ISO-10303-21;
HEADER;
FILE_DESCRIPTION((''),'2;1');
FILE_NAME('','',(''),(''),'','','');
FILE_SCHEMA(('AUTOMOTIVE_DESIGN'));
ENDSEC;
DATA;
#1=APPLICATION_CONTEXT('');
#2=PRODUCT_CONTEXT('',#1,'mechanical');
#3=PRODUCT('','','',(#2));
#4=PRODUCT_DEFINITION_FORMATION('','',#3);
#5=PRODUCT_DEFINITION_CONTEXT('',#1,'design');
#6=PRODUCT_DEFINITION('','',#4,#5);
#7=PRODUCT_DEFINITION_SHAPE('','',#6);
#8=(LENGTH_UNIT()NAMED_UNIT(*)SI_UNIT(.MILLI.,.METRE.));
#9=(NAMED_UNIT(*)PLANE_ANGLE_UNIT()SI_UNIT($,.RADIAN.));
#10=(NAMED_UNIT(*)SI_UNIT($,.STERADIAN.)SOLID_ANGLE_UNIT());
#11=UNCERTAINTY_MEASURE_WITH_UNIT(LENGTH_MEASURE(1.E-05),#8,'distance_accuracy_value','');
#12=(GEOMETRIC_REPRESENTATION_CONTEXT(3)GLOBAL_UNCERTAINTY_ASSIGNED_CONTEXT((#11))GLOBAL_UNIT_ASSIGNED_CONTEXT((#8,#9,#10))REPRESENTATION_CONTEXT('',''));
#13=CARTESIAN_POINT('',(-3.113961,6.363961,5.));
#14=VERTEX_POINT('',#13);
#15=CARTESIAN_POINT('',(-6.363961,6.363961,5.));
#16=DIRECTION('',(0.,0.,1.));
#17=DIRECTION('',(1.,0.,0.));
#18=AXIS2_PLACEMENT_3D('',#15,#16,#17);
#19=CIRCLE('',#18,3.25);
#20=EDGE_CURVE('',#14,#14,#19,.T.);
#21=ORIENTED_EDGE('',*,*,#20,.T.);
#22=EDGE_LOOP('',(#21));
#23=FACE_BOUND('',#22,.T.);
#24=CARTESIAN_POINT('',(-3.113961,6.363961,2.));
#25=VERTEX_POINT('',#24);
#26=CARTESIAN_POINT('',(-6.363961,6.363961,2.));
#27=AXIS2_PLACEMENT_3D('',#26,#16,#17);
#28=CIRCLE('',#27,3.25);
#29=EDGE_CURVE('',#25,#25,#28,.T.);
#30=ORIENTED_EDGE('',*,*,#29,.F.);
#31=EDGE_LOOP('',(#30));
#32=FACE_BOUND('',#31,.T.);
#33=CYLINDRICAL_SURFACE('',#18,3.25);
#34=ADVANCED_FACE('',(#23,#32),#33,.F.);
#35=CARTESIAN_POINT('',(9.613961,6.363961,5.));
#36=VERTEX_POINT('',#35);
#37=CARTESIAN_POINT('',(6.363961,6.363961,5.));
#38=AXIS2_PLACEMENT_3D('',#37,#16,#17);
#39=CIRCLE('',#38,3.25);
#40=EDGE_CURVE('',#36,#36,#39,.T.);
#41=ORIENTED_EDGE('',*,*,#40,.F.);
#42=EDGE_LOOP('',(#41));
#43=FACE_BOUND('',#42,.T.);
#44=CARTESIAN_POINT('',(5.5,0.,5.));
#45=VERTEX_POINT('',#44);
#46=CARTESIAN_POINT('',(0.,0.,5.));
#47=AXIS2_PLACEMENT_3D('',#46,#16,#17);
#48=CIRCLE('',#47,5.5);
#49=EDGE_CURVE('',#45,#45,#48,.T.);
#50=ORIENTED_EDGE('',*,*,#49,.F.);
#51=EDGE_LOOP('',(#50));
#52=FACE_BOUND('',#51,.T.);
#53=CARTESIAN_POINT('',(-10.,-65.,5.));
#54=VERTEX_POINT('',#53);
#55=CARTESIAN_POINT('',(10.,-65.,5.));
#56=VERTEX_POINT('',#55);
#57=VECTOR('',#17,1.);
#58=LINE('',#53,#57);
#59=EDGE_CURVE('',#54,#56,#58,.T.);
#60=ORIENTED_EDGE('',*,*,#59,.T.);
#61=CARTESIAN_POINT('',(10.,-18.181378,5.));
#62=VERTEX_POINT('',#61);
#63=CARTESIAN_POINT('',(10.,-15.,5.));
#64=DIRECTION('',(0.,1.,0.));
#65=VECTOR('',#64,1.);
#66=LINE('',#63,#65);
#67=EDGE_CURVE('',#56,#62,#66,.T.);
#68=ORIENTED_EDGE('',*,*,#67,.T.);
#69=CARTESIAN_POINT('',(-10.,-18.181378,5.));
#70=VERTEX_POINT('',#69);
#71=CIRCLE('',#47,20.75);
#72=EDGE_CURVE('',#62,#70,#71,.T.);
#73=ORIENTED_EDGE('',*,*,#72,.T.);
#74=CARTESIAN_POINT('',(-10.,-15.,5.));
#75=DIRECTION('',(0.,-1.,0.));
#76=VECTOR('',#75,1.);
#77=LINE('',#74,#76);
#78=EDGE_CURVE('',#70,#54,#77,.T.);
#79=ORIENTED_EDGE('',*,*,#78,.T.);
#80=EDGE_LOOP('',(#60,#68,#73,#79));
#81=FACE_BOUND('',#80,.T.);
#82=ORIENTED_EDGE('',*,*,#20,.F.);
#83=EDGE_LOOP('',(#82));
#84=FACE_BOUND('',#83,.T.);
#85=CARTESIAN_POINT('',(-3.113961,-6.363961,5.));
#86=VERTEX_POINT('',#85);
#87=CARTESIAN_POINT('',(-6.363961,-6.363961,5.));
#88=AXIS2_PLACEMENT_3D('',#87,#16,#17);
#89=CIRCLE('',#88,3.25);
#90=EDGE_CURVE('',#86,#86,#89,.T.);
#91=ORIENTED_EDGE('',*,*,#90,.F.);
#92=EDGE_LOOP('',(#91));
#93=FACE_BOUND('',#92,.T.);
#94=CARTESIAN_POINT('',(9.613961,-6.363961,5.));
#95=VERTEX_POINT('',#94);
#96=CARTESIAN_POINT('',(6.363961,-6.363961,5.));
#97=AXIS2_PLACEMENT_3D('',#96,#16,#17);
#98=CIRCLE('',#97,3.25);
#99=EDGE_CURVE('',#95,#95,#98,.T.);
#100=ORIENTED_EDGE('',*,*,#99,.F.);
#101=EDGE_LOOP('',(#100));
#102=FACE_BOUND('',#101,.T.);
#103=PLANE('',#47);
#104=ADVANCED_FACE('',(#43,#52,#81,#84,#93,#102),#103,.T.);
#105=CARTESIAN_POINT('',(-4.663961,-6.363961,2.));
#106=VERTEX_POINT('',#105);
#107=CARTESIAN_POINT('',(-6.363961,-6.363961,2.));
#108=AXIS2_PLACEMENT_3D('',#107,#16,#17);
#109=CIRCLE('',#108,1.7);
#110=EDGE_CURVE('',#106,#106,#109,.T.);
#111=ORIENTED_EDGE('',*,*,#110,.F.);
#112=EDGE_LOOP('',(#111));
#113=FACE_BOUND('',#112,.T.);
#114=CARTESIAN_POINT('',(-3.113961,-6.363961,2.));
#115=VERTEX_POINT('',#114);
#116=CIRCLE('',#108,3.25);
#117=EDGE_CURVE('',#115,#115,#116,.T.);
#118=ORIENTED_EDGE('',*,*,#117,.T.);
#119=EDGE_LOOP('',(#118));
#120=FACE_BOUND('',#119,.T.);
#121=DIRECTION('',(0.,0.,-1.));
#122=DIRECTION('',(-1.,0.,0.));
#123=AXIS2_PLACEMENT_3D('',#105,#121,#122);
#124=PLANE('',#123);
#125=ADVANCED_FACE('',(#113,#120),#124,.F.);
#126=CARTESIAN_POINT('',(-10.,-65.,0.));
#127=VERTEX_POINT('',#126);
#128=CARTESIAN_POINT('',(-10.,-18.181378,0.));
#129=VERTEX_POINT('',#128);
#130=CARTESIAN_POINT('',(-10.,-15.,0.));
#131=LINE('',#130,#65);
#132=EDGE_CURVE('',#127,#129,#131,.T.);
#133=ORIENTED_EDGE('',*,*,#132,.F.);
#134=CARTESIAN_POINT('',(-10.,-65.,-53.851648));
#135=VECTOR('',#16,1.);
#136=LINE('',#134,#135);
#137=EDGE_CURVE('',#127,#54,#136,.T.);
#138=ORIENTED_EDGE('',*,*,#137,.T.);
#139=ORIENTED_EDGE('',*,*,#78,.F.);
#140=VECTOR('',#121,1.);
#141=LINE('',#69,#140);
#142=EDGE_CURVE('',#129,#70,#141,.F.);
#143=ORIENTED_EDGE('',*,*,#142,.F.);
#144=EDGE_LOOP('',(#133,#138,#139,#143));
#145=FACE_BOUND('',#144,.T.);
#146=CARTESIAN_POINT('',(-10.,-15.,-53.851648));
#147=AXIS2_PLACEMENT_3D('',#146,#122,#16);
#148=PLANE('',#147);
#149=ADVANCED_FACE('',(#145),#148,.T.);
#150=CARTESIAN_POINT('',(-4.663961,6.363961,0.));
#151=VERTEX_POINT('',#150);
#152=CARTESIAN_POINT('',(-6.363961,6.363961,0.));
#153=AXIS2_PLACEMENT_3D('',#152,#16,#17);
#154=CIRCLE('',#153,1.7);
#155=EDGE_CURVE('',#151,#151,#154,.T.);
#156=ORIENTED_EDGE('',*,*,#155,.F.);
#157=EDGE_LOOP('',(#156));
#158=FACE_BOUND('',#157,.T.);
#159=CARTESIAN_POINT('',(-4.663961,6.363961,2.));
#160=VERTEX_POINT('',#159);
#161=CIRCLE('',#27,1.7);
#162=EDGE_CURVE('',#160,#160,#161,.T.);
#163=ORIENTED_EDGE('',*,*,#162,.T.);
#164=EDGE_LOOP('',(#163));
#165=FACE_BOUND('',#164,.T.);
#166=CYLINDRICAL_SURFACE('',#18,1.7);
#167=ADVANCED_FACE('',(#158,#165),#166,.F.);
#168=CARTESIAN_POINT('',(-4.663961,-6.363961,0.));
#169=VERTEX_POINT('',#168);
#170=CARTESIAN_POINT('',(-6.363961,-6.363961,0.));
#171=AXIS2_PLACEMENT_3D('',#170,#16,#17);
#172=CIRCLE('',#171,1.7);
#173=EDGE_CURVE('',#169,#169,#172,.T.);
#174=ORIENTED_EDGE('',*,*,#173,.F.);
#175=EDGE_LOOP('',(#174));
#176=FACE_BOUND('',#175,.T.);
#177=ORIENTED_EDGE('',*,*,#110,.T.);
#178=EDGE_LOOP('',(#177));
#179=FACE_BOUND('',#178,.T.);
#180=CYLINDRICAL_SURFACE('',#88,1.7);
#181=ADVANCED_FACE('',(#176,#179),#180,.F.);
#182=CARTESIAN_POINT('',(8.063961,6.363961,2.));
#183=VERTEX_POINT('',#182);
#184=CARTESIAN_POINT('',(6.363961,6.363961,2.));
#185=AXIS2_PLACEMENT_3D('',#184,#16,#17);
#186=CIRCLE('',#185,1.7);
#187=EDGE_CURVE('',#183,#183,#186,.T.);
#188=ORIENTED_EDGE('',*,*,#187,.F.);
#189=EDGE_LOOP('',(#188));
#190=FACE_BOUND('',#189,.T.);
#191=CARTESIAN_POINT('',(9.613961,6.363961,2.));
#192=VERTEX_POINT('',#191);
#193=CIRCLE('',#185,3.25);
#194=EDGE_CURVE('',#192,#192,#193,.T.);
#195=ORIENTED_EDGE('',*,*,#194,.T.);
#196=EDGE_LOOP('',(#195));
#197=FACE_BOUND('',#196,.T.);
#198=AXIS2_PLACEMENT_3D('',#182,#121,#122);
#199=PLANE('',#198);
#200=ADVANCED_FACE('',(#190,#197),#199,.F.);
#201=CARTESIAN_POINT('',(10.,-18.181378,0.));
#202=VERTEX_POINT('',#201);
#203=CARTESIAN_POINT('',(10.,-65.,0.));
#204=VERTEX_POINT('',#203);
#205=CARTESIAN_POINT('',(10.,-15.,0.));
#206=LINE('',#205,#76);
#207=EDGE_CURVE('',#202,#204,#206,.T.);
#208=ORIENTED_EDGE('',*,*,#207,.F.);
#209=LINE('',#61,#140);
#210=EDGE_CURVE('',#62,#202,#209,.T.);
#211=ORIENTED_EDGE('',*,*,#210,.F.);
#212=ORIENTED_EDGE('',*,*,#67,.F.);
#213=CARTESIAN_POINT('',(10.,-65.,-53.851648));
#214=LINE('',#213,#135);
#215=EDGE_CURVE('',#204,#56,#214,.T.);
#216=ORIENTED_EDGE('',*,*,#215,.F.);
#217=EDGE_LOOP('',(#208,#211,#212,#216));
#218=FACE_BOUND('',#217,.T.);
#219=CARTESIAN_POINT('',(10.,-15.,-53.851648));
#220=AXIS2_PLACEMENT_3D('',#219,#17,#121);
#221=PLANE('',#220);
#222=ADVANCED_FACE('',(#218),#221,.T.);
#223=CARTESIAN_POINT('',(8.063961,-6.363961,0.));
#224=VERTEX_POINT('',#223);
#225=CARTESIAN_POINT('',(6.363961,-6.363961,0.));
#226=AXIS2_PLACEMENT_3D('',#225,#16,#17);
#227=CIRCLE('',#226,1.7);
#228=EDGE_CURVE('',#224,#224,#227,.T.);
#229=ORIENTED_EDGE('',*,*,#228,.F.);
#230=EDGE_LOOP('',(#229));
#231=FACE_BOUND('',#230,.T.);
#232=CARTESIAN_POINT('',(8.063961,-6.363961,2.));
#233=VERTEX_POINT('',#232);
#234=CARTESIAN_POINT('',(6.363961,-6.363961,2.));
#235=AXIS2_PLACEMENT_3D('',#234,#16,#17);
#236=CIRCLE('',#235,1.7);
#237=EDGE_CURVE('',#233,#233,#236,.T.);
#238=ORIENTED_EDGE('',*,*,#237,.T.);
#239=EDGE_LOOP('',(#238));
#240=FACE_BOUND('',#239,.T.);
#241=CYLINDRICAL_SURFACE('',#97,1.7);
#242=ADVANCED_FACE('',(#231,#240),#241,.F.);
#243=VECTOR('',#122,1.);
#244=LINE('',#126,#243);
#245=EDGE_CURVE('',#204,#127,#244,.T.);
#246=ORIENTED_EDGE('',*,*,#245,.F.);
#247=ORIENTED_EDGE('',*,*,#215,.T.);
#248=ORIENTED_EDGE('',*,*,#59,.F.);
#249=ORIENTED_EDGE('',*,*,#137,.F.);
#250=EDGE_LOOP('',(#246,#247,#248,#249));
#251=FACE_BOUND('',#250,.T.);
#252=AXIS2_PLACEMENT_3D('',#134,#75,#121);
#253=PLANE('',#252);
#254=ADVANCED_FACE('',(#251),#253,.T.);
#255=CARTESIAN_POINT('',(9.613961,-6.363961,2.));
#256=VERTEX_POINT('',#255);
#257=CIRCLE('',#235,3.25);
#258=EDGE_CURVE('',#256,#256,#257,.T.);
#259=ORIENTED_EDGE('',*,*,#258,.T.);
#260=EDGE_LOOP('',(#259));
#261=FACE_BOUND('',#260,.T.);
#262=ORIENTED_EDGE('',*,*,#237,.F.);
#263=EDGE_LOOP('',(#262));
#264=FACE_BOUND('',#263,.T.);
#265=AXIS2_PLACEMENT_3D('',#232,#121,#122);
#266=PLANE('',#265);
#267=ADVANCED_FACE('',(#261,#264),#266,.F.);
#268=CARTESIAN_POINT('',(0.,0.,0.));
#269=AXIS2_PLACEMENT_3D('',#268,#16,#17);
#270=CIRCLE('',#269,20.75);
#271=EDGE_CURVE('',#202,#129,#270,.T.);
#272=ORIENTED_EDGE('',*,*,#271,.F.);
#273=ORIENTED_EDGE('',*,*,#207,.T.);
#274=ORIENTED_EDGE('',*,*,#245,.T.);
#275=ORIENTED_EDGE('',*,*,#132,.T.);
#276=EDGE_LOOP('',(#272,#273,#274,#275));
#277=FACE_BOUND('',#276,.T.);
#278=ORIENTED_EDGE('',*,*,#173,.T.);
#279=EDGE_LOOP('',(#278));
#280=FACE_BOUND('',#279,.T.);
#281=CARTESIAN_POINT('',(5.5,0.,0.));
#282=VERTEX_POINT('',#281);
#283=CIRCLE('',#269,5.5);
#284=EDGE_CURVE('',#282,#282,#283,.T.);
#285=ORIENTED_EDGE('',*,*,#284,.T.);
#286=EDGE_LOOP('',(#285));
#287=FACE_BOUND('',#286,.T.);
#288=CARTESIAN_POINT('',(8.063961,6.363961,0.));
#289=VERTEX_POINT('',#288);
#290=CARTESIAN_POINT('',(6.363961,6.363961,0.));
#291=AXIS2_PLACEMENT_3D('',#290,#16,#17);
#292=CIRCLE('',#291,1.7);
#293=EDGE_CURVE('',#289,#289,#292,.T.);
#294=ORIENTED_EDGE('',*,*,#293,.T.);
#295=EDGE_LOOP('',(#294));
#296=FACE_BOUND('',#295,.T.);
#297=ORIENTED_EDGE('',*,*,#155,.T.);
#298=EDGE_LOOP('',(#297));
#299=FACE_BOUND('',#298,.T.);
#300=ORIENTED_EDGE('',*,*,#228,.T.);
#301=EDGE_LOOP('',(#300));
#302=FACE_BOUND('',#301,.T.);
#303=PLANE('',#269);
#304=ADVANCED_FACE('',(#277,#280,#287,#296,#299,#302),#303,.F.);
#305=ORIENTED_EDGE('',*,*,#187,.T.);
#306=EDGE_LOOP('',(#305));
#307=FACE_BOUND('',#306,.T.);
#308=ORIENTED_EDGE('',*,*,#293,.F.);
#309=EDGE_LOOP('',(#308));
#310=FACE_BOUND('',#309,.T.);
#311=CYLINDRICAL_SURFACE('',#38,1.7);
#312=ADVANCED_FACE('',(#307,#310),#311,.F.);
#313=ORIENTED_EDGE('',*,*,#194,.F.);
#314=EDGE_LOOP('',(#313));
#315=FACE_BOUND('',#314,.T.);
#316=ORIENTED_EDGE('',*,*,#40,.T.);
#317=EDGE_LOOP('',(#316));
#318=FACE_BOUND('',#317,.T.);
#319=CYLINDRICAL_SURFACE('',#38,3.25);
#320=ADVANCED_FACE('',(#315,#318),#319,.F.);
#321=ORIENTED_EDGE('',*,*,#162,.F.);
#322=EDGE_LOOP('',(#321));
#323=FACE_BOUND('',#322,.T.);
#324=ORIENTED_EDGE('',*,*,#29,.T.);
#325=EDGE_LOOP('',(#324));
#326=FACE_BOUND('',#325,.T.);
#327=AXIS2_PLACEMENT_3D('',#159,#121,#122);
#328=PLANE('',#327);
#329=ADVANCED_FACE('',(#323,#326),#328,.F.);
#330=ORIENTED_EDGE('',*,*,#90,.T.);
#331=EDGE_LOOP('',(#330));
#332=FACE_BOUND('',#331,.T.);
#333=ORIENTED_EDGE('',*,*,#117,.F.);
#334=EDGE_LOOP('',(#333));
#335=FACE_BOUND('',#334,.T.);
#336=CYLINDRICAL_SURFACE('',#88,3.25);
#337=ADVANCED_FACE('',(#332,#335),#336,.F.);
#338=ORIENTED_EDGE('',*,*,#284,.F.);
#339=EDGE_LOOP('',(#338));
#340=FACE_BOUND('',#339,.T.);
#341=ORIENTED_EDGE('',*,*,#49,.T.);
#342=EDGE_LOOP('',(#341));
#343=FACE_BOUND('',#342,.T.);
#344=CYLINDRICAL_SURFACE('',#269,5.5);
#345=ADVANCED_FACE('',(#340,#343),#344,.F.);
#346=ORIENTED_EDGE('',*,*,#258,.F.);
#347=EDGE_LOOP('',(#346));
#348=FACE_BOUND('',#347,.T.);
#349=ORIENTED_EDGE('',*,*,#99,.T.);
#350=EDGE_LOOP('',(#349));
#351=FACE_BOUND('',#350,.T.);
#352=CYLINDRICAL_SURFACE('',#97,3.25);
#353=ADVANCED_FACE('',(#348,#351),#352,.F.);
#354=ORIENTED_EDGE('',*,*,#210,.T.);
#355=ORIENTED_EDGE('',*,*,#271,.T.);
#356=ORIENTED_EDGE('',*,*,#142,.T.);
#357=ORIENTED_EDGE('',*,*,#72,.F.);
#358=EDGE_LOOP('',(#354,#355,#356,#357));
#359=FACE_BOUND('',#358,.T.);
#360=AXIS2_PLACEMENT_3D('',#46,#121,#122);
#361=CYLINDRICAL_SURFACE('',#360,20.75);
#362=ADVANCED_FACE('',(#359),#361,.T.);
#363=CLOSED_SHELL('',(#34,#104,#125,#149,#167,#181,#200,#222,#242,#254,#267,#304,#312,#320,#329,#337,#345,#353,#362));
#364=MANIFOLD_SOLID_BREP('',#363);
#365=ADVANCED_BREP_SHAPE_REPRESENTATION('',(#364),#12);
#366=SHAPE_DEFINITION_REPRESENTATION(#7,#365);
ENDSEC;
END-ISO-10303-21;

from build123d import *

# Parameters (mm, degrees)
SKETCH_1_R                  = 20.75
EXTRUDE_1_DEPTH             = 5
HOLE_WIZARD_M31_D           = 3.4
HOLE_WIZARD_M31_CBORE_D     = 6.5
HOLE_WIZARD_M31_CBORE_DEPTH = 3
SKETCH_5_R                  = 5.5
CUT_EXTRUDE_1_DEPTH         = 30.767851787
SKETCH_6_W                  = 20
SKETCH_6_H                  = 50
EXTRUDE_2_DEPTH             = 5


with BuildPart() as part:
    # Эскиз1 → Бобышка-Вытянуть1 (new body)
    with BuildSketch(Plane.XY):
        Circle(SKETCH_1_R)
    extrude(amount=EXTRUDE_1_DEPTH)

    # Цековка для винта с внутренним шестигранником M31 (through all)
    with Locations(Plane.XY.offset(5)):
        with Locations((-6.363961031, 6.363961031), (6.363961031, 6.363961031), (6.363961031, -6.363961031), (-6.363961031, -6.363961031)):
            CounterBoreHole(HOLE_WIZARD_M31_D / 2, HOLE_WIZARD_M31_CBORE_D / 2, HOLE_WIZARD_M31_CBORE_DEPTH)

    # Эскиз5 → Вырез-Вытянуть1 (cut, through all)
    with BuildSketch(Plane.XY.offset(5)):
        Circle(SKETCH_5_R)
    extrude(amount=-CUT_EXTRUDE_1_DEPTH, mode=Mode.SUBTRACT)

    # Эскиз6 → Бобышка-Вытянуть2 (add)
    with BuildSketch(Plane.XY.offset(5)):
        with Locations((0, -40)):
            Rectangle(SKETCH_6_W, SKETCH_6_H)
    extrude(amount=-EXTRUDE_2_DEPTH)


solid = part.part
